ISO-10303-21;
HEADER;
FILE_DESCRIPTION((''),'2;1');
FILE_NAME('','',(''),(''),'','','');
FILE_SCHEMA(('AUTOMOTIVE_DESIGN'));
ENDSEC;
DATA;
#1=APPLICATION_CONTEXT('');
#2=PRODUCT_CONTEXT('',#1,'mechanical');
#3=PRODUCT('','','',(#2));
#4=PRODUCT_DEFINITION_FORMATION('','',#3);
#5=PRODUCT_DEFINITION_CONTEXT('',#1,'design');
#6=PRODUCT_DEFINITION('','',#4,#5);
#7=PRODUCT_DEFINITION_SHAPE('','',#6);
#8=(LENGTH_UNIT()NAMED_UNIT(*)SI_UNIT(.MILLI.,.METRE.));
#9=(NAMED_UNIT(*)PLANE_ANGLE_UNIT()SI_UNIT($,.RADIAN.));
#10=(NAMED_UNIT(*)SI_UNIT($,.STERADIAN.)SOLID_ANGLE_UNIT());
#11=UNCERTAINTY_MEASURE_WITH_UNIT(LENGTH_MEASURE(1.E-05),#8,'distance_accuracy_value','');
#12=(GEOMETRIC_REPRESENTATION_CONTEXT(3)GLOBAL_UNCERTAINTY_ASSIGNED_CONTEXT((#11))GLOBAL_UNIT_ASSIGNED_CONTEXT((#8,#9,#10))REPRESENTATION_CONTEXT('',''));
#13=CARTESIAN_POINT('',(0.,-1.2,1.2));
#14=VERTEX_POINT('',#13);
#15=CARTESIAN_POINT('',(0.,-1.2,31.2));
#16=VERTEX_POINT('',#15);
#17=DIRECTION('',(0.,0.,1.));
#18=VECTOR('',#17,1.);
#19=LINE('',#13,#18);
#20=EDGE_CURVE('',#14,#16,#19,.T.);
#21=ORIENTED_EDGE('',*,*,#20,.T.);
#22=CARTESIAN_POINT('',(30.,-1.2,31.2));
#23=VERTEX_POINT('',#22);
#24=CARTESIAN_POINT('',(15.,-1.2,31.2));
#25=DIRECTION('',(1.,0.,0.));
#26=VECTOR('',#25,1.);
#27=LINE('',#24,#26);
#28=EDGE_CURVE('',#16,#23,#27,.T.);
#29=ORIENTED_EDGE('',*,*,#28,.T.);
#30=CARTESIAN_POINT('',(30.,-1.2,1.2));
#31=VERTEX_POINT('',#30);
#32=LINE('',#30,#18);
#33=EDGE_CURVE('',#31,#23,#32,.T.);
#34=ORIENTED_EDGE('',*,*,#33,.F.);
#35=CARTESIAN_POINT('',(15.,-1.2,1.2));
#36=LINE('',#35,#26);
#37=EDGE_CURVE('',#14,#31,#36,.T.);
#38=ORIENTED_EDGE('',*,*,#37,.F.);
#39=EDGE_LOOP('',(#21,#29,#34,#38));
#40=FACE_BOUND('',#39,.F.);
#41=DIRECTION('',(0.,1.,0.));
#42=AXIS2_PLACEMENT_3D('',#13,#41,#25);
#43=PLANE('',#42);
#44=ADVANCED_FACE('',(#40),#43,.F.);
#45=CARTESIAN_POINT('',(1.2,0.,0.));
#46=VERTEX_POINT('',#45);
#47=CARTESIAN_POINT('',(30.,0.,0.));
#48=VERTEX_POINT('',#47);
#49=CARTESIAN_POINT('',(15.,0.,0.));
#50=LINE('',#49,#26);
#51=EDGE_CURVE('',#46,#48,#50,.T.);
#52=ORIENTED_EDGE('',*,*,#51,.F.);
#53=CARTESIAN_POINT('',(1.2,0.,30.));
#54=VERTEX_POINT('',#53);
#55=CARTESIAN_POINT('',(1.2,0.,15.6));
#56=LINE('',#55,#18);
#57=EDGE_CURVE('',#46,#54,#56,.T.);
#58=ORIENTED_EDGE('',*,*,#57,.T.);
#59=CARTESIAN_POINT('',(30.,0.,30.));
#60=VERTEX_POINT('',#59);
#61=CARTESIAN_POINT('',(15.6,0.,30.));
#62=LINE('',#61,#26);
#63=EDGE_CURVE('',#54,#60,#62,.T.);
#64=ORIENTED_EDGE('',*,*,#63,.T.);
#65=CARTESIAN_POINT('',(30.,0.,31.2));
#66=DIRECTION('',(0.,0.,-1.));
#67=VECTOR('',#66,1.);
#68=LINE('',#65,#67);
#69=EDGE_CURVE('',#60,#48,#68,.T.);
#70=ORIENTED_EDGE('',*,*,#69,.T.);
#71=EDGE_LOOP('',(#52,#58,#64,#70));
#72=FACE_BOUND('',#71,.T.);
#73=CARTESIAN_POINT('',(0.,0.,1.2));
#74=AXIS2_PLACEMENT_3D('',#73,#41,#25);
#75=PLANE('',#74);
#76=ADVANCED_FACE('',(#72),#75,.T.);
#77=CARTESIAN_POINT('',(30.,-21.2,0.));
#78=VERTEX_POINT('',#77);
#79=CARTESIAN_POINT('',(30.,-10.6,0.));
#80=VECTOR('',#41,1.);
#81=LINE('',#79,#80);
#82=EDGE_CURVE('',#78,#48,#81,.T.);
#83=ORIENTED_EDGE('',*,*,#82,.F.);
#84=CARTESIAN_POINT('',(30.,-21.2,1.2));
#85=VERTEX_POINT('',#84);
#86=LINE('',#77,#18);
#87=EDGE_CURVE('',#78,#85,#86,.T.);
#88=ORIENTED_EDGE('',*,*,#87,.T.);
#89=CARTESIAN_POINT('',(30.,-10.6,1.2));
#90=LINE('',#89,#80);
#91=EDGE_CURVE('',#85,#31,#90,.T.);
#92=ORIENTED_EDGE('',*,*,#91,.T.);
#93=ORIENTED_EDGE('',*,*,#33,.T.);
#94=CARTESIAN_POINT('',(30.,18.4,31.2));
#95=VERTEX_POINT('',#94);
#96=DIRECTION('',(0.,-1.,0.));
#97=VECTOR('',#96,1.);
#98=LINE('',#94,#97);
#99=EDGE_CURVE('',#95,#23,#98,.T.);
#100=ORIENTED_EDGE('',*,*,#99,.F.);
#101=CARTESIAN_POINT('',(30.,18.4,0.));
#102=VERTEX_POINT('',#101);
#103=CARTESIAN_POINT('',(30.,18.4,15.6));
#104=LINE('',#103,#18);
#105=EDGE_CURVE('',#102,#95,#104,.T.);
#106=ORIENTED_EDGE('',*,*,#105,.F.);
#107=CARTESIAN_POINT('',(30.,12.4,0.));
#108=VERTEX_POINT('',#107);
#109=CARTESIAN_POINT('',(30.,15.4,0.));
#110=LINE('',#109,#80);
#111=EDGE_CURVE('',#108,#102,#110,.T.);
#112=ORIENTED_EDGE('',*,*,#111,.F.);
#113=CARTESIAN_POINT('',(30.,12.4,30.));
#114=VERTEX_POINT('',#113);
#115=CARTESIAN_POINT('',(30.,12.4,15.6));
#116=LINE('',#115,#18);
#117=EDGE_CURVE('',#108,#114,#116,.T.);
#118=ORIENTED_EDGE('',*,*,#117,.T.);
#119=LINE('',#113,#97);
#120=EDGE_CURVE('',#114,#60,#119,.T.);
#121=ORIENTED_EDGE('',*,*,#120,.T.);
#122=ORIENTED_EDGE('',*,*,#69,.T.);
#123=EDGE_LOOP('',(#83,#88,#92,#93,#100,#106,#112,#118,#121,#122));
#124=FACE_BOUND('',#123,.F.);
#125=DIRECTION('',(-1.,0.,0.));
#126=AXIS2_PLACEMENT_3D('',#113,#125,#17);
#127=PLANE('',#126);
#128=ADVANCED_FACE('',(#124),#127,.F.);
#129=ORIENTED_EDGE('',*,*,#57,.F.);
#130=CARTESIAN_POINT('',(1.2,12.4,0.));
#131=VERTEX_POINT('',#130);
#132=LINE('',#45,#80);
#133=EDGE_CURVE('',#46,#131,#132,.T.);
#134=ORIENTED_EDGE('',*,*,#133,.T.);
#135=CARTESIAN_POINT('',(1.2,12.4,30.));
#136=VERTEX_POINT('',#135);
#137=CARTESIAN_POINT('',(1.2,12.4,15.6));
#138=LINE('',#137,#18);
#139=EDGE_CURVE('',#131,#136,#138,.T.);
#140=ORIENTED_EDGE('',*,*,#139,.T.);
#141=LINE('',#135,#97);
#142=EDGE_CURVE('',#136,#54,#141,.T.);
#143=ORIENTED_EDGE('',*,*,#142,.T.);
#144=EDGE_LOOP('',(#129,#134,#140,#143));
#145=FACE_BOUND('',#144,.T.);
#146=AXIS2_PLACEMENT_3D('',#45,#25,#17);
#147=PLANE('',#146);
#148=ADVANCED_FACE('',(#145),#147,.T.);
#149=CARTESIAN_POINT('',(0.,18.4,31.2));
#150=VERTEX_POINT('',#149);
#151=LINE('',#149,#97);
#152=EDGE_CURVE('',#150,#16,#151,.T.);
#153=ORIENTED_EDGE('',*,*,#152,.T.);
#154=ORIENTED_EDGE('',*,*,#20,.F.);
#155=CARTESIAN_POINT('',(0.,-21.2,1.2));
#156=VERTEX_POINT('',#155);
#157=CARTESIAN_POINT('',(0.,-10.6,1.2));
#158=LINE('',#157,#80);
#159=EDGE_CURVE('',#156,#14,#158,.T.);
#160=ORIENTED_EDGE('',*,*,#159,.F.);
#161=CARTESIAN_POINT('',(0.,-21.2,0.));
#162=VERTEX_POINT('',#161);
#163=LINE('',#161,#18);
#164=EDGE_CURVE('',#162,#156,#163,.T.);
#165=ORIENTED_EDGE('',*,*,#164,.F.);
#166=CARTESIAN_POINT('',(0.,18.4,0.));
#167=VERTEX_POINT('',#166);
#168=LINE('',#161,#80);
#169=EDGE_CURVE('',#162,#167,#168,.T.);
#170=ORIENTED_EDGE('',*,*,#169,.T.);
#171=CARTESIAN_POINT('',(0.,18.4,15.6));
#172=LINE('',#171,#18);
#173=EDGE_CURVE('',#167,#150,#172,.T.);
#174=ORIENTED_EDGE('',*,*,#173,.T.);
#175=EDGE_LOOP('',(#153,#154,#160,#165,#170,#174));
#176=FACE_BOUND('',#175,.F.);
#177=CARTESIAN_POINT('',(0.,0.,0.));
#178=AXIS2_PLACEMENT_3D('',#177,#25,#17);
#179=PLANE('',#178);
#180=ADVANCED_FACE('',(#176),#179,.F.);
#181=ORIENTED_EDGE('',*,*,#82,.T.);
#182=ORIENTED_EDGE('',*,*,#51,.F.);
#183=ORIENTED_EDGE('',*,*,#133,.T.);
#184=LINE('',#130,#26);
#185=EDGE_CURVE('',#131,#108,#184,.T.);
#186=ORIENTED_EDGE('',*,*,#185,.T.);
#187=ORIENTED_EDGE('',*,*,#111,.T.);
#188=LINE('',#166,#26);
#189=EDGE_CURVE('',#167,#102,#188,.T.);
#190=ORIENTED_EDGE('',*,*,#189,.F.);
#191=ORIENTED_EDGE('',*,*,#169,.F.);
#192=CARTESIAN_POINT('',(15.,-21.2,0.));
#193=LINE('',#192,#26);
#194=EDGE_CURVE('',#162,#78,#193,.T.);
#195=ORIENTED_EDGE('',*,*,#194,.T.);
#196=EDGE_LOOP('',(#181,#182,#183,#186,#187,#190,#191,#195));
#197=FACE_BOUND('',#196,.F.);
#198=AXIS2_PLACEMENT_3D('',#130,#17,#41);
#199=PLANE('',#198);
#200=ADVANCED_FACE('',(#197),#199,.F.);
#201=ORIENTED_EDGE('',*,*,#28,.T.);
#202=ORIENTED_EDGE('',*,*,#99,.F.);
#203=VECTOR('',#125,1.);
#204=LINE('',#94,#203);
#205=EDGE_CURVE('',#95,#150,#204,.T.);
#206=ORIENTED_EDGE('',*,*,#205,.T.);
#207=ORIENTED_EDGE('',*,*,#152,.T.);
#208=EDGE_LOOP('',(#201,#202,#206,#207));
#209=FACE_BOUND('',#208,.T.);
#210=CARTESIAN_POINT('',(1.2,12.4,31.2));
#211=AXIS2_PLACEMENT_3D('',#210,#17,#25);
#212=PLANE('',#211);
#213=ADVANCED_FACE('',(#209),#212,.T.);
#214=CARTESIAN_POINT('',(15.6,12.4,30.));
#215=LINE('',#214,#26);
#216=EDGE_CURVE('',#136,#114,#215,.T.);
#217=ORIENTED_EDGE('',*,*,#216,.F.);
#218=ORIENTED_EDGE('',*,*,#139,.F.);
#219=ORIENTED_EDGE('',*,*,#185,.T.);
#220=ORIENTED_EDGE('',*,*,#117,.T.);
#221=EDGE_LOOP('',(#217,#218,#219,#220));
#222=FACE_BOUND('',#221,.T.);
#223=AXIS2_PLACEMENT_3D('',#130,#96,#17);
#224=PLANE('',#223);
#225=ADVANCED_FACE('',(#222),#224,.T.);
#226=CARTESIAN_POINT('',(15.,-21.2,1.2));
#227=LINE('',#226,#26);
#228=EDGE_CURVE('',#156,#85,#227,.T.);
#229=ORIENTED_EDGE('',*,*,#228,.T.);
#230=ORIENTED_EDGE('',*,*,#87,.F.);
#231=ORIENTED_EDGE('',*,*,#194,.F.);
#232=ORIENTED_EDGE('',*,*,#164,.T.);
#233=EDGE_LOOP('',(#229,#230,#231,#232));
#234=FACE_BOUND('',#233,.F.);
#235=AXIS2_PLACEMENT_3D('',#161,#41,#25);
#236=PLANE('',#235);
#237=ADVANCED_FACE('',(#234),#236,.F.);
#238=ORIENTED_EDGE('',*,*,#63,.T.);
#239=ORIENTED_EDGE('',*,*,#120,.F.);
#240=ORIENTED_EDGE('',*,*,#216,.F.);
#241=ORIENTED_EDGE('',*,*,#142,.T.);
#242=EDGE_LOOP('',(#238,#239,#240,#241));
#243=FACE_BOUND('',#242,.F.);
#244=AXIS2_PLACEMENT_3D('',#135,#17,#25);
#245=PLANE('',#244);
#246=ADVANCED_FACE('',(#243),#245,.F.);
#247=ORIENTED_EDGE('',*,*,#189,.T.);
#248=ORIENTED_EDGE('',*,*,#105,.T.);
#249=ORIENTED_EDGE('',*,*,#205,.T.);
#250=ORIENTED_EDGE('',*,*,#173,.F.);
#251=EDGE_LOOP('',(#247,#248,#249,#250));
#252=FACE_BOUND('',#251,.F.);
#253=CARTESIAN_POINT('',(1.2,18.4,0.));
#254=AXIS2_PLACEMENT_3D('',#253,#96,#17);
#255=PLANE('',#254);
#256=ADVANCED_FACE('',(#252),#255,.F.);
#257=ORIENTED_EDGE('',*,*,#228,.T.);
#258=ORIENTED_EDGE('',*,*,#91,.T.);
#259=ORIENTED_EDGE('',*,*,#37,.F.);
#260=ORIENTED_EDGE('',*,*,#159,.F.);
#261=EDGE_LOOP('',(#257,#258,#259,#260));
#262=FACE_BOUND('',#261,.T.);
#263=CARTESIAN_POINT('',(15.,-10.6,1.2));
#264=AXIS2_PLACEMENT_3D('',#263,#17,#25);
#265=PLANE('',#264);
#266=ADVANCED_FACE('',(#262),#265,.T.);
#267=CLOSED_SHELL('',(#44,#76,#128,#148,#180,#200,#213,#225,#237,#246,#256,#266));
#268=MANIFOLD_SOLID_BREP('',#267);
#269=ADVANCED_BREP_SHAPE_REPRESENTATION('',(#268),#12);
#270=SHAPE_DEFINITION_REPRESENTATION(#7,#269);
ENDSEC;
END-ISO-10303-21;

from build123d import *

# Parameters (mm, degrees)
F0_W     = 30
F0_H     = 21.2
F1_DEPTH = 1.2
F2_W     = 30
F2_H     = 1.2
F3_DEPTH = 30
F4_W     = 1.2
F4_H     = 31.2
F5_DEPTH = 18.4
F6_W     = 6
F6_H     = 31.2
F7_DEPTH = 28.8
F8_W     = 28.8
F8_H     = 1.2
F9_DEPTH = 12.4


with BuildPart() as f1:
    # F0 (on Top) → F1 (new body)
    with BuildSketch(Plane.XY):
        with Locations((15, -10.6)):
            Rectangle(F0_W, F0_H)
    extrude(amount=F1_DEPTH)

    # F2 (on face) → F3 (join)
    with BuildSketch(Plane.XY.offset(1.2)):
        with Locations((15, -0.6)):
            Rectangle(F2_W, F2_H)
    extrude(amount=F3_DEPTH)

    # F4 (on face) → F5 (join)
    with BuildSketch(Plane(origin=(0, 0, 0), x_dir=(-1, 0, 0), z_dir=(0, 1, 0))):
        with Locations((-0.6, 15.6)):
            Rectangle(F4_W, F4_H)
    extrude(amount=F5_DEPTH)

    # F6 (on face) → F7 (join)
    with BuildSketch(Plane.YZ.offset(1.2)):
        with Locations((15.4, 15.6)):
            Rectangle(F6_W, F6_H)
    extrude(amount=F7_DEPTH)

    # F8 (on face) → F9 (join, through all)
    with BuildSketch(Plane.XZ.offset(-12.4)):
        with Locations((15.6, 30.6)):
            Rectangle(F8_W, F8_H)
    extrude(amount=F9_DEPTH)


solid = f1.part
